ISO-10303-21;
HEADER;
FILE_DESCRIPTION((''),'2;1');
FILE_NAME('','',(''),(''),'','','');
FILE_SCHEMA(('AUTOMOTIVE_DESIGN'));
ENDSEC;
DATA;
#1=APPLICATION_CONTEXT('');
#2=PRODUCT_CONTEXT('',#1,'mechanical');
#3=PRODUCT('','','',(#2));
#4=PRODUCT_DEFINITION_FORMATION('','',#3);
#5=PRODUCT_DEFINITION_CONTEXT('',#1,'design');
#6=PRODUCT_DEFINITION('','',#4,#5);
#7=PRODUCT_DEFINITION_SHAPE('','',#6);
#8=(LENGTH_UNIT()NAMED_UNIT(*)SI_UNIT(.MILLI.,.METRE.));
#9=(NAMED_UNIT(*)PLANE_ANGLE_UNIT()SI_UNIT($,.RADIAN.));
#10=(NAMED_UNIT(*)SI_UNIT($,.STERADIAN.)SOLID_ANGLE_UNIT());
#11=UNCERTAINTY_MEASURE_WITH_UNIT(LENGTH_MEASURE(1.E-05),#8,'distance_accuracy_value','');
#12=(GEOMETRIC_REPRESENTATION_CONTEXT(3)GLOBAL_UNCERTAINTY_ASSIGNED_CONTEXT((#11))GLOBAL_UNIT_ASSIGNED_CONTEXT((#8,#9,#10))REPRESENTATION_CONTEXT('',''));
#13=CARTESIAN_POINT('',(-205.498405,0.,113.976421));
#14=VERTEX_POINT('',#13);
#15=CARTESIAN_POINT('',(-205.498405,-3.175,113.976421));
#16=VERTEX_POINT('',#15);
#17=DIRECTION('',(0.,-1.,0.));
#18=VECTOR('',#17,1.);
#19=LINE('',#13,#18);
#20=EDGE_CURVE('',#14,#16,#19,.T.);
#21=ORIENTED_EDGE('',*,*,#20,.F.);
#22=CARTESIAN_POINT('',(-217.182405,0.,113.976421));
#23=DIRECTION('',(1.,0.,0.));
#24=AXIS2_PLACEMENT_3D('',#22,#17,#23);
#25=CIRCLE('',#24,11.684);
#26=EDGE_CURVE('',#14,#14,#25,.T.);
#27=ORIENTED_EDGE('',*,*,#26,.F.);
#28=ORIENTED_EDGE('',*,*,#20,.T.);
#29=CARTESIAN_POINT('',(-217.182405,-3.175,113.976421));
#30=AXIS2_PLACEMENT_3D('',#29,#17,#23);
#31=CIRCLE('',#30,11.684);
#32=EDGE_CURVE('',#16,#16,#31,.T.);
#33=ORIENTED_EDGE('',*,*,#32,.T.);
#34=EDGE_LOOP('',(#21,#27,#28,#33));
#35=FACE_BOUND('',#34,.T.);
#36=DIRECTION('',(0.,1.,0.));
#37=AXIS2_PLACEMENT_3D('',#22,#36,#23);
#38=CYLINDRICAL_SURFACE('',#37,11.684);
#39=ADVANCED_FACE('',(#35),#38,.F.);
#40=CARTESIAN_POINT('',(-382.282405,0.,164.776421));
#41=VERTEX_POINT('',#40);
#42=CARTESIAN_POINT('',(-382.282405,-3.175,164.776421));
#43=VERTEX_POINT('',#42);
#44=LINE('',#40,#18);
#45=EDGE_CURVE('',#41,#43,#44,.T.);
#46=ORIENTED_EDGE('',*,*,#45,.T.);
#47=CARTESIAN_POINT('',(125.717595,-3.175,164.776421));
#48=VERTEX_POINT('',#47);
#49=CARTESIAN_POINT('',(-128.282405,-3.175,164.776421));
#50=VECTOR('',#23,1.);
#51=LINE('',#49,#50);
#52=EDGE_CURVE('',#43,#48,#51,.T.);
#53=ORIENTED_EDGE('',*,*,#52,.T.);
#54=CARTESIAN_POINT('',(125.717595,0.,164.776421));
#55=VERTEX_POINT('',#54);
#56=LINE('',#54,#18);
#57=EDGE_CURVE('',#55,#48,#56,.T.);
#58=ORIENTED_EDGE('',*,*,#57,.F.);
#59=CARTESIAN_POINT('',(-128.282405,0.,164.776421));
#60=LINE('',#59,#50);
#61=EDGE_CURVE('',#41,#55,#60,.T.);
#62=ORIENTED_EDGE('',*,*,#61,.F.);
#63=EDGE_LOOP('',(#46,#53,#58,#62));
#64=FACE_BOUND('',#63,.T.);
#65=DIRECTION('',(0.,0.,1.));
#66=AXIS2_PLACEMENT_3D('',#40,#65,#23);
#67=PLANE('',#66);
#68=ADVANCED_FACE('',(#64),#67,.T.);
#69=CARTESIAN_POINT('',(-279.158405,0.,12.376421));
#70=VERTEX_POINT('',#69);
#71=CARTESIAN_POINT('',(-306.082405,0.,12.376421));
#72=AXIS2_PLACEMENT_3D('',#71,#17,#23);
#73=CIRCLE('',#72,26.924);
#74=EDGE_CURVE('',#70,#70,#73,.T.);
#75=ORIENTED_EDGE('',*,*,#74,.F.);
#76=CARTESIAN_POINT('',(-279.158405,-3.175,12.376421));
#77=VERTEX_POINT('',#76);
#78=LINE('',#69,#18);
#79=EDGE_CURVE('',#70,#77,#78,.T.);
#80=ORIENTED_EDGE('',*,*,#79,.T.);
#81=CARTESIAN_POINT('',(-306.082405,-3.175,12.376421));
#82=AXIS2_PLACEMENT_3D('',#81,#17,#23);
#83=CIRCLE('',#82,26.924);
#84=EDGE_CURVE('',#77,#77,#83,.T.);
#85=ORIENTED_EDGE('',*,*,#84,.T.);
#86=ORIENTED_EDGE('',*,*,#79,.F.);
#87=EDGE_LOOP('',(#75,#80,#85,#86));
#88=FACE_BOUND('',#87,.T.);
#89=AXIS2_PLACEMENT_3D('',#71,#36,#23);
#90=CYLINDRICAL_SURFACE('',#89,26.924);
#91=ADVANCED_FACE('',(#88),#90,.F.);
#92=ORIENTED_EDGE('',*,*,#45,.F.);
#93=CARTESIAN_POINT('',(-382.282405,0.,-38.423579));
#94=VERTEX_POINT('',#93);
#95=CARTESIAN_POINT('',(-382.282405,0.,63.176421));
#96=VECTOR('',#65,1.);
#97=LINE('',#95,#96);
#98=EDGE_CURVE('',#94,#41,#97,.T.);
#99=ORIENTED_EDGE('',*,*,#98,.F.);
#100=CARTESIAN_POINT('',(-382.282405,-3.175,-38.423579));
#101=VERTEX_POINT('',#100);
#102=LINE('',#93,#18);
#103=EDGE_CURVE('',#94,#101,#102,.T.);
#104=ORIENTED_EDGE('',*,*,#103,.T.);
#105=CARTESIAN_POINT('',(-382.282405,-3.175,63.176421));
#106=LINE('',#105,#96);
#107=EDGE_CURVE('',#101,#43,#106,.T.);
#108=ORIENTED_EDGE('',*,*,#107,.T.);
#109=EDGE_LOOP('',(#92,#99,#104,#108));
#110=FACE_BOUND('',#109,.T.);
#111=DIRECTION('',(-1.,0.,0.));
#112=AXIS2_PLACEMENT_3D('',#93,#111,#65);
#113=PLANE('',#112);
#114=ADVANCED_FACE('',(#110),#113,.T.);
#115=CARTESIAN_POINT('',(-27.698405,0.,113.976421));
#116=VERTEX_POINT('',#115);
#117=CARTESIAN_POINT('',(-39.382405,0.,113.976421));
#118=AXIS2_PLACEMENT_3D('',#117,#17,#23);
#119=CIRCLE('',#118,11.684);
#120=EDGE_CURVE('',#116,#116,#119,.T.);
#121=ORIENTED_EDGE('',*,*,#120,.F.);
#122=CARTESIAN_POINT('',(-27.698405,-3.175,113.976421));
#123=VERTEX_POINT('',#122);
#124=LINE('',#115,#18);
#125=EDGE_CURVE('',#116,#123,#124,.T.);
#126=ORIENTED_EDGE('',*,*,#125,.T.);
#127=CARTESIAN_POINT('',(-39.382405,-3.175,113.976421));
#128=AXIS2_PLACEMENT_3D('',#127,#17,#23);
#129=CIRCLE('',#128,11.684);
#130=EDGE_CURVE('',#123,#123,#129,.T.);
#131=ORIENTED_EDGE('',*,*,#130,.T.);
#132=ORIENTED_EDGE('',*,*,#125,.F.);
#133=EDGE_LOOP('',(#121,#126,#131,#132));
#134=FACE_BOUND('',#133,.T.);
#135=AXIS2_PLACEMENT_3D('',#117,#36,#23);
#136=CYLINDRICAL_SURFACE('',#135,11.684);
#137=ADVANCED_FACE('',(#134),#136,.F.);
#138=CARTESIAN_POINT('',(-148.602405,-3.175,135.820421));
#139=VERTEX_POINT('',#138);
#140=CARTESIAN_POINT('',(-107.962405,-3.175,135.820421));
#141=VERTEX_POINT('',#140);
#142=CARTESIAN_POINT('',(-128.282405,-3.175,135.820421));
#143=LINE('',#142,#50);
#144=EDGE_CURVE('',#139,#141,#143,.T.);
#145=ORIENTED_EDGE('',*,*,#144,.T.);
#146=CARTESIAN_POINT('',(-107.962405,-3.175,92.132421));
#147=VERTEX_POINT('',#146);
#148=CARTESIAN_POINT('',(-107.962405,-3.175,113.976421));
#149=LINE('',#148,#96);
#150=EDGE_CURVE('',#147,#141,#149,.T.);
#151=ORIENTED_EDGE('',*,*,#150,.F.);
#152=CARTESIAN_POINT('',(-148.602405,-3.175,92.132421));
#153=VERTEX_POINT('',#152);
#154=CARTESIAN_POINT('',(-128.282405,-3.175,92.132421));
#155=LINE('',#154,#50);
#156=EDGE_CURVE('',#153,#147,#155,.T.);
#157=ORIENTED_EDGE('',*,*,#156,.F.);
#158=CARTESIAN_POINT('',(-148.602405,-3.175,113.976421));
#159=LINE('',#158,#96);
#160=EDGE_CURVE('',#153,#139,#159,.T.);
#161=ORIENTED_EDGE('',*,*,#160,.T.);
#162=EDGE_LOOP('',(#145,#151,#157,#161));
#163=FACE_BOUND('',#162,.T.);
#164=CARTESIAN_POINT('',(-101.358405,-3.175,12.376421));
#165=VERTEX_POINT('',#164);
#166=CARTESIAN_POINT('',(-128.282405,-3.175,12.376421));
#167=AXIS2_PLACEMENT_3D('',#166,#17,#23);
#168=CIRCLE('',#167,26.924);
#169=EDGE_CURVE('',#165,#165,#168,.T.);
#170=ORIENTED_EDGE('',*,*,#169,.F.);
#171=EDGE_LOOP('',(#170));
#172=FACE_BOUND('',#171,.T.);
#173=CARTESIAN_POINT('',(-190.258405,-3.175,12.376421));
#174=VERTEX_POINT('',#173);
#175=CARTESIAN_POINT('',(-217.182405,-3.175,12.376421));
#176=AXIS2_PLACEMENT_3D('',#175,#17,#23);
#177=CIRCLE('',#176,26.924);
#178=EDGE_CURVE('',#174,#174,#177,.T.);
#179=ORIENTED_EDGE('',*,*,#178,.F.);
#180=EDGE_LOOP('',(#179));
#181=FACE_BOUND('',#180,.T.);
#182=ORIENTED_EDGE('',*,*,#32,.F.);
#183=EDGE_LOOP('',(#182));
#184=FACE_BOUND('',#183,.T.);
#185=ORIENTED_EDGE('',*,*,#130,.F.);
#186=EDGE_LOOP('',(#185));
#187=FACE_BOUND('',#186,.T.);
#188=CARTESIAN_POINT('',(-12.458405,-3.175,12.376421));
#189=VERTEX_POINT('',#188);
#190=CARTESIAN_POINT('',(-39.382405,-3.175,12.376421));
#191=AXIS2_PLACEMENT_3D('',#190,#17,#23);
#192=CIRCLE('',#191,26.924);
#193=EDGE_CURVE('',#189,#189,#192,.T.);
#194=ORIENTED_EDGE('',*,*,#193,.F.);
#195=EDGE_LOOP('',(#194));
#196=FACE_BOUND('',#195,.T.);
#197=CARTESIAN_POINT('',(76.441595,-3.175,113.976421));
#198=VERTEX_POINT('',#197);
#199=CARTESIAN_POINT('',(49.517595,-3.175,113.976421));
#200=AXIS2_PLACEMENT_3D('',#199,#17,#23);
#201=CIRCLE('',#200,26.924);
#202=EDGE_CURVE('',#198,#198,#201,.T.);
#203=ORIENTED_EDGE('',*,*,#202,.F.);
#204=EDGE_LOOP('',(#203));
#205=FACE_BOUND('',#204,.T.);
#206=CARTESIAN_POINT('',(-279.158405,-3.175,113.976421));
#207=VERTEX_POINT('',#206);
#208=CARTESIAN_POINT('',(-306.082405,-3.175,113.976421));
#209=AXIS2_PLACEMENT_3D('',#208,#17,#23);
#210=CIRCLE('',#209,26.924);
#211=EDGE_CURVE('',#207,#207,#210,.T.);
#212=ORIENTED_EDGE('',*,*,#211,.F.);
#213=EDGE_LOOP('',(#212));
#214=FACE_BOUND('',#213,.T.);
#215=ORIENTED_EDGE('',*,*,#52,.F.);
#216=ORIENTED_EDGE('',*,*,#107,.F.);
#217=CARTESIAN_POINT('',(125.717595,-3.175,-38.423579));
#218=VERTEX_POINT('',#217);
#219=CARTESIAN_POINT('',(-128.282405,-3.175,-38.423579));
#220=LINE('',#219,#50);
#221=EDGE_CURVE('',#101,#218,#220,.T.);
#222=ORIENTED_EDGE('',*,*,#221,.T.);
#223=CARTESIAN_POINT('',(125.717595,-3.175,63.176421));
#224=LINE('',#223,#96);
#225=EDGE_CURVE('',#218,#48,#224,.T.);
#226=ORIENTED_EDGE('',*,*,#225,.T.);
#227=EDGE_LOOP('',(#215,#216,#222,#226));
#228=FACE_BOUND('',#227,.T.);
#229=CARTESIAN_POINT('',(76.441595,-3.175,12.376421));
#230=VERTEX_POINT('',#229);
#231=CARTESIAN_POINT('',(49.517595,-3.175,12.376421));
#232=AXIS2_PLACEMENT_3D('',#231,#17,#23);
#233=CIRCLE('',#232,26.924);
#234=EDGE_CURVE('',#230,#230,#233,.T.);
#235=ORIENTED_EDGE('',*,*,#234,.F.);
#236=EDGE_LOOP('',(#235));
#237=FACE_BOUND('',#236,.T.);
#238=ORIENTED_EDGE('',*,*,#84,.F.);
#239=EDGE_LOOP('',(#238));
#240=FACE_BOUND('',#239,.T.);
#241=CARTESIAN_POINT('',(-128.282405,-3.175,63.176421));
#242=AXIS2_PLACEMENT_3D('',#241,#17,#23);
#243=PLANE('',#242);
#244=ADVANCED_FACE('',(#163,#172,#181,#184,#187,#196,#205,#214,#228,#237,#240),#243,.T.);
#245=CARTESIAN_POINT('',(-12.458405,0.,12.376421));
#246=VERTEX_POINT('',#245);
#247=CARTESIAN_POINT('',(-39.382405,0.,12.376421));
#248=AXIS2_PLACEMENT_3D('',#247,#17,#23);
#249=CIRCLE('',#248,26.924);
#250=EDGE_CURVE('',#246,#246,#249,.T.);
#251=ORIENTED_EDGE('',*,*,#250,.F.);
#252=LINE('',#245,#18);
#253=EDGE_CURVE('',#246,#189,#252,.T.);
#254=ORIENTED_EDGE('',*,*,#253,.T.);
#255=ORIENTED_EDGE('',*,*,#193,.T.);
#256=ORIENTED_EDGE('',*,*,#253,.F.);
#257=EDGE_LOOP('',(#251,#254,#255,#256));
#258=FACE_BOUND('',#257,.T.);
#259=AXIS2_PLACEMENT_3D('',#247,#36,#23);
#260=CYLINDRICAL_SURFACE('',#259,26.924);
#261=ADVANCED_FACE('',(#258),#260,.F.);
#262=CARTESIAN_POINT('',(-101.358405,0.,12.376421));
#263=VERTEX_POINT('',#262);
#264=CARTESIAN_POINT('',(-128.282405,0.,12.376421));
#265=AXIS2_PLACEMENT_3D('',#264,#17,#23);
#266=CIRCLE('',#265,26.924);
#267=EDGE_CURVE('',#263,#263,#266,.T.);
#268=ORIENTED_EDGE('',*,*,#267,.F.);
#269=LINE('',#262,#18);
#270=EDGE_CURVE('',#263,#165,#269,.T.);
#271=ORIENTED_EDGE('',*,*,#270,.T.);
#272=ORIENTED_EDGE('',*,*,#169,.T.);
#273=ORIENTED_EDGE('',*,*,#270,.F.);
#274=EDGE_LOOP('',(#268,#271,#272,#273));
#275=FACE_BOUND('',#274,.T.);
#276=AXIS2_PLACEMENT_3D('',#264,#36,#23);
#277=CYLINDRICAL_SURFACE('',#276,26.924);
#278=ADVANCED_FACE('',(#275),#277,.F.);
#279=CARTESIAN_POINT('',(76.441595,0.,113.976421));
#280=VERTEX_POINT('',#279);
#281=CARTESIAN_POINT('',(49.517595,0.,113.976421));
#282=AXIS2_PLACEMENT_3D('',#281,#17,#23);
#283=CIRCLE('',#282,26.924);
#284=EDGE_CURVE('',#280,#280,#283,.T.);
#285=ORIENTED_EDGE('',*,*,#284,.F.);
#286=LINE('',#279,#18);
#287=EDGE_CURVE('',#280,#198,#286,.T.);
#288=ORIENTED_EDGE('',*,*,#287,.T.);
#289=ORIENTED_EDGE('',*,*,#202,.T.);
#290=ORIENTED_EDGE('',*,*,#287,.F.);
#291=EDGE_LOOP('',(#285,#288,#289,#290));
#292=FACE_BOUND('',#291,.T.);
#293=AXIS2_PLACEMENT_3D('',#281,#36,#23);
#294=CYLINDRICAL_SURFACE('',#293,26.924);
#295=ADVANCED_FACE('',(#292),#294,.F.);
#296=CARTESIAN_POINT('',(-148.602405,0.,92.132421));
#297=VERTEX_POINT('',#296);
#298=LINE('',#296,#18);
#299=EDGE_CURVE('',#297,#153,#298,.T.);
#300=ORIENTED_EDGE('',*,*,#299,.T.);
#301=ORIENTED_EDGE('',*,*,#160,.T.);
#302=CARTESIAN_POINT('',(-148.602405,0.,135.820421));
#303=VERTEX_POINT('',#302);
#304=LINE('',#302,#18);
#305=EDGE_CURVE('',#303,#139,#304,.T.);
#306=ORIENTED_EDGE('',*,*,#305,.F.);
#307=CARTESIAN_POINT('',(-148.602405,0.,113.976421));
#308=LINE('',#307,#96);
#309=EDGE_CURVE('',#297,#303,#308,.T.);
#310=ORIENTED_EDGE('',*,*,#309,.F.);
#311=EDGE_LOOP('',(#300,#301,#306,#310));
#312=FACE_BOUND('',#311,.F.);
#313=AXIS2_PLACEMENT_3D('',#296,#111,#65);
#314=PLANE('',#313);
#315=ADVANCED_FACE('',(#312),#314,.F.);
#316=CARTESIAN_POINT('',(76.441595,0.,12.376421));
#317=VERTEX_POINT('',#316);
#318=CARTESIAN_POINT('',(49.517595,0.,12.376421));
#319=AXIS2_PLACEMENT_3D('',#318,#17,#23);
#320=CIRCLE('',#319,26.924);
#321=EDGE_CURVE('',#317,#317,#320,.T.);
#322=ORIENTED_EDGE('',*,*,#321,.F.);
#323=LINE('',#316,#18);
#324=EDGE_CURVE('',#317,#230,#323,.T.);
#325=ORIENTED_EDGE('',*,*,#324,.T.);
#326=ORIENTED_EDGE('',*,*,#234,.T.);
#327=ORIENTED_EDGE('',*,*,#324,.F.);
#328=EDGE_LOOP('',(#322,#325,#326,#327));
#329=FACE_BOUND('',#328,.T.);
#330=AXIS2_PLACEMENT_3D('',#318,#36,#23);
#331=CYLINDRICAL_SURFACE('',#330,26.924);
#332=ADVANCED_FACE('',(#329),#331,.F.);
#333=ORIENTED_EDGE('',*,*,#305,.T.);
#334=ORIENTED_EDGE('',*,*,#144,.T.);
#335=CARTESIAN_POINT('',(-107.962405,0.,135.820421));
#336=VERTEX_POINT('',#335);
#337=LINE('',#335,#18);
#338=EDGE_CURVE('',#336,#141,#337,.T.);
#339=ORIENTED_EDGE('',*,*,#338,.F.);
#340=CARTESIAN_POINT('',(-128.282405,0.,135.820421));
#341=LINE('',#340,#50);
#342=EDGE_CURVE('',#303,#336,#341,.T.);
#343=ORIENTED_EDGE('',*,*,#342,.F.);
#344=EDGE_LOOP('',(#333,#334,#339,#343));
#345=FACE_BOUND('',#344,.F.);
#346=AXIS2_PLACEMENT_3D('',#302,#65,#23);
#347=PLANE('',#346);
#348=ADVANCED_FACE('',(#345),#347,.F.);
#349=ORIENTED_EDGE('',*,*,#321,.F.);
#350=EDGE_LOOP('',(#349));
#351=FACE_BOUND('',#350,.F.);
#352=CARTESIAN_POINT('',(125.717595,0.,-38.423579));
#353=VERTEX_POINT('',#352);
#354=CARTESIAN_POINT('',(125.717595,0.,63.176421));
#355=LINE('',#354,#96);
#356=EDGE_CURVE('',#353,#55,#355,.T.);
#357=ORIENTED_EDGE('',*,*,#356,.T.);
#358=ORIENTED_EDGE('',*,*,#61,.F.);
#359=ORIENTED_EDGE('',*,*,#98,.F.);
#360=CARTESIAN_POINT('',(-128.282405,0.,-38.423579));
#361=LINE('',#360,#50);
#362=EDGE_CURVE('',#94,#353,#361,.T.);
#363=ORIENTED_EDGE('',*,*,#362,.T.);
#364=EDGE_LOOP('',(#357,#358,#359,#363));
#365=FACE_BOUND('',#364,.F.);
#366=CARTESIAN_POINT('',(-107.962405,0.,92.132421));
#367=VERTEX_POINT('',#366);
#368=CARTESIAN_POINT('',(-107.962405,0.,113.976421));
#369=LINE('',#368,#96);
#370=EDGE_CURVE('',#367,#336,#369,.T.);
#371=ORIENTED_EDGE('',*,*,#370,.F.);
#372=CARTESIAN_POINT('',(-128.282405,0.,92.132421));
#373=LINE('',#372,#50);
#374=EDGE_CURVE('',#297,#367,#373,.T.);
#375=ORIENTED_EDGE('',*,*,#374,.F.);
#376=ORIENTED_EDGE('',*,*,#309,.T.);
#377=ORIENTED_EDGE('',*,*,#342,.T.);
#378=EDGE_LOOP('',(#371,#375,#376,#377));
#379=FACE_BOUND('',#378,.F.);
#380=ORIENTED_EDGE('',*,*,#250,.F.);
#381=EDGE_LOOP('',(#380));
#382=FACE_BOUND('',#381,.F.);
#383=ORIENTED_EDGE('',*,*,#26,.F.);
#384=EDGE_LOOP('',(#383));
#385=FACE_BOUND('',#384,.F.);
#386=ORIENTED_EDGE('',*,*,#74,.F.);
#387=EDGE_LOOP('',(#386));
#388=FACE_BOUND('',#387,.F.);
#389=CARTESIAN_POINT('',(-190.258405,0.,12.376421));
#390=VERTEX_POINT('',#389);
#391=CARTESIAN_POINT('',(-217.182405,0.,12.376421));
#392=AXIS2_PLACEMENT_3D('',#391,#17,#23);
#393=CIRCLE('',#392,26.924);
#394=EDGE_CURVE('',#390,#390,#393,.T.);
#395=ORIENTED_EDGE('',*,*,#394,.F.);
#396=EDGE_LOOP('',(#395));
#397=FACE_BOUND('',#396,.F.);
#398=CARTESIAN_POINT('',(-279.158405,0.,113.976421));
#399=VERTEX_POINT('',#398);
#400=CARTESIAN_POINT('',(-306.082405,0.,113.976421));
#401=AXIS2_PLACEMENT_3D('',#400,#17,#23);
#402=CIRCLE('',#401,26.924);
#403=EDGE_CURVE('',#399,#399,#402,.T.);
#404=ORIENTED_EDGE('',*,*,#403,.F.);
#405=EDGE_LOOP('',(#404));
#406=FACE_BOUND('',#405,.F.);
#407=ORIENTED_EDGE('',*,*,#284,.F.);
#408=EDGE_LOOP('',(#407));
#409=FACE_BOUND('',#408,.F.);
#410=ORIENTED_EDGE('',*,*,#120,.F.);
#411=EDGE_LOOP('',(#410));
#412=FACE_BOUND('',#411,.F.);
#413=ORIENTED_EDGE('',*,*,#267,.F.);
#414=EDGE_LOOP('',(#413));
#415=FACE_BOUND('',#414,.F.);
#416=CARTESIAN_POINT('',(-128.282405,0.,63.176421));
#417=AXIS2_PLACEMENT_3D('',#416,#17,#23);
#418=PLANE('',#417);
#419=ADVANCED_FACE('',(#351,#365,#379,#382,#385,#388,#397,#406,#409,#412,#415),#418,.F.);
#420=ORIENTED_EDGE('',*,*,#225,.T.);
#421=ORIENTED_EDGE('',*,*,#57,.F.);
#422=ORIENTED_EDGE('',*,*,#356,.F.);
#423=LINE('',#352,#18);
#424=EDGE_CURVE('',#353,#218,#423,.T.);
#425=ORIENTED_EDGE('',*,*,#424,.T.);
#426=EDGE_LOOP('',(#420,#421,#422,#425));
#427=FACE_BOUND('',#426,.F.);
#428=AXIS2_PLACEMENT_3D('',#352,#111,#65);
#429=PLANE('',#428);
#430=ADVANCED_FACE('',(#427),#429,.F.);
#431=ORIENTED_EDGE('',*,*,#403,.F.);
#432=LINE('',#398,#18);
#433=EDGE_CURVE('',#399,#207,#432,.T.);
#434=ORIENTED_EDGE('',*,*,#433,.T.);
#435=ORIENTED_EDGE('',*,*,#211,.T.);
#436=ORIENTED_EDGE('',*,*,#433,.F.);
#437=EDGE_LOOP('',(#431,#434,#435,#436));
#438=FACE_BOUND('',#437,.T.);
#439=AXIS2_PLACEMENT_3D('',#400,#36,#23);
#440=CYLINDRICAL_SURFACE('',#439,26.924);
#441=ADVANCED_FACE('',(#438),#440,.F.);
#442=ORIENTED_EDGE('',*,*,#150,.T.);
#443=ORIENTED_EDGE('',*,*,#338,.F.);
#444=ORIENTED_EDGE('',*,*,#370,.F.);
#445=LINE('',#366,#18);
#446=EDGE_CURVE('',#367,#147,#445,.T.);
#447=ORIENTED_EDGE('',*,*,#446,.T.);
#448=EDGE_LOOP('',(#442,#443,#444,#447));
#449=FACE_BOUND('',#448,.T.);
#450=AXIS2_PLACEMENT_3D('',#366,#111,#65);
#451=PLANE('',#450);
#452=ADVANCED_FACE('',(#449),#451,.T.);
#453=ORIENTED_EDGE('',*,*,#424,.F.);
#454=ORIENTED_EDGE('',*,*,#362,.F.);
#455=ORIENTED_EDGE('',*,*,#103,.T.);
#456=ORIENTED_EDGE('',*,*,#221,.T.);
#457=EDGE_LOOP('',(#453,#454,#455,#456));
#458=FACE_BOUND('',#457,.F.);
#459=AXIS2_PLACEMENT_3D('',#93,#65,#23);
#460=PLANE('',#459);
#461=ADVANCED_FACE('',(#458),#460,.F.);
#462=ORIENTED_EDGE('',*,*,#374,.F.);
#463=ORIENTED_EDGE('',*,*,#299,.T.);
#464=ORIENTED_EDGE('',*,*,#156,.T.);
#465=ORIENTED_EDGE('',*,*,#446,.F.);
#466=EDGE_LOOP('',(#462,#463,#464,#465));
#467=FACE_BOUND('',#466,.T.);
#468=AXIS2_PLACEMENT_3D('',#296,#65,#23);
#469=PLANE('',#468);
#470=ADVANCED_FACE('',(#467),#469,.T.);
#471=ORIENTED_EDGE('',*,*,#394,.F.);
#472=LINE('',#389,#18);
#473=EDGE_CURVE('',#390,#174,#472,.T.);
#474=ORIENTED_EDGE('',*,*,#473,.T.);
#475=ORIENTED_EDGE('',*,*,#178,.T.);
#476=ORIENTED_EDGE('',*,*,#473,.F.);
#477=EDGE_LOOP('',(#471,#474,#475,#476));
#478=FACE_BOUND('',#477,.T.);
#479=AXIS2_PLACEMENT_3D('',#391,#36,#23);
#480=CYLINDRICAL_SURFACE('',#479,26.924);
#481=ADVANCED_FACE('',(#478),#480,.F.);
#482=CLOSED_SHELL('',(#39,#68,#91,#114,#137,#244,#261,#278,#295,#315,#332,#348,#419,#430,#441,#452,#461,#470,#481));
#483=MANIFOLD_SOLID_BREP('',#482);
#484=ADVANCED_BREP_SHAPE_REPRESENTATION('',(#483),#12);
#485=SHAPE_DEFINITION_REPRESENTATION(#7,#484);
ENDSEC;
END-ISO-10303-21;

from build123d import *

# Parameters (mm, degrees)
F0_W     = 508
F0_H     = 203.2
F0_R     = 26.924
F0_R_2   = 11.684
F0_W_2   = 40.64
F0_H_2   = 43.688
F1_DEPTH = 3.175


with BuildPart() as f1:
    # F0 (on Front) → F1 (new body)
    with BuildSketch(Plane.XZ):
        with Locations((-128.282405, 63.176421)):
            Rectangle(F0_W, F0_H)
        with Locations((-306.082405, 12.376421)):
            Circle(F0_R, mode=Mode.SUBTRACT)
        with Locations((-217.182405, 12.376421)):
            Circle(F0_R, mode=Mode.SUBTRACT)
        with Locations((-128.282405, 12.376421)):
            Circle(F0_R, mode=Mode.SUBTRACT)
        with Locations((-39.382405, 12.376421)):
            Circle(F0_R, mode=Mode.SUBTRACT)
        with Locations((49.517595, 12.376421)):
            Circle(F0_R, mode=Mode.SUBTRACT)
        with Locations((-306.082405, 113.976421)):
            Circle(F0_R, mode=Mode.SUBTRACT)
        with Locations((-217.182405, 113.976421)):
            Circle(F0_R_2, mode=Mode.SUBTRACT)
        with Locations((-128.282405, 113.976421)):
            Rectangle(F0_W_2, F0_H_2, mode=Mode.SUBTRACT)
        with Locations((-39.382405, 113.976421)):
            Circle(F0_R_2, mode=Mode.SUBTRACT)
        with Locations((49.517595, 113.976421)):
            Circle(F0_R, mode=Mode.SUBTRACT)
    extrude(amount=F1_DEPTH)


solid = f1.part
